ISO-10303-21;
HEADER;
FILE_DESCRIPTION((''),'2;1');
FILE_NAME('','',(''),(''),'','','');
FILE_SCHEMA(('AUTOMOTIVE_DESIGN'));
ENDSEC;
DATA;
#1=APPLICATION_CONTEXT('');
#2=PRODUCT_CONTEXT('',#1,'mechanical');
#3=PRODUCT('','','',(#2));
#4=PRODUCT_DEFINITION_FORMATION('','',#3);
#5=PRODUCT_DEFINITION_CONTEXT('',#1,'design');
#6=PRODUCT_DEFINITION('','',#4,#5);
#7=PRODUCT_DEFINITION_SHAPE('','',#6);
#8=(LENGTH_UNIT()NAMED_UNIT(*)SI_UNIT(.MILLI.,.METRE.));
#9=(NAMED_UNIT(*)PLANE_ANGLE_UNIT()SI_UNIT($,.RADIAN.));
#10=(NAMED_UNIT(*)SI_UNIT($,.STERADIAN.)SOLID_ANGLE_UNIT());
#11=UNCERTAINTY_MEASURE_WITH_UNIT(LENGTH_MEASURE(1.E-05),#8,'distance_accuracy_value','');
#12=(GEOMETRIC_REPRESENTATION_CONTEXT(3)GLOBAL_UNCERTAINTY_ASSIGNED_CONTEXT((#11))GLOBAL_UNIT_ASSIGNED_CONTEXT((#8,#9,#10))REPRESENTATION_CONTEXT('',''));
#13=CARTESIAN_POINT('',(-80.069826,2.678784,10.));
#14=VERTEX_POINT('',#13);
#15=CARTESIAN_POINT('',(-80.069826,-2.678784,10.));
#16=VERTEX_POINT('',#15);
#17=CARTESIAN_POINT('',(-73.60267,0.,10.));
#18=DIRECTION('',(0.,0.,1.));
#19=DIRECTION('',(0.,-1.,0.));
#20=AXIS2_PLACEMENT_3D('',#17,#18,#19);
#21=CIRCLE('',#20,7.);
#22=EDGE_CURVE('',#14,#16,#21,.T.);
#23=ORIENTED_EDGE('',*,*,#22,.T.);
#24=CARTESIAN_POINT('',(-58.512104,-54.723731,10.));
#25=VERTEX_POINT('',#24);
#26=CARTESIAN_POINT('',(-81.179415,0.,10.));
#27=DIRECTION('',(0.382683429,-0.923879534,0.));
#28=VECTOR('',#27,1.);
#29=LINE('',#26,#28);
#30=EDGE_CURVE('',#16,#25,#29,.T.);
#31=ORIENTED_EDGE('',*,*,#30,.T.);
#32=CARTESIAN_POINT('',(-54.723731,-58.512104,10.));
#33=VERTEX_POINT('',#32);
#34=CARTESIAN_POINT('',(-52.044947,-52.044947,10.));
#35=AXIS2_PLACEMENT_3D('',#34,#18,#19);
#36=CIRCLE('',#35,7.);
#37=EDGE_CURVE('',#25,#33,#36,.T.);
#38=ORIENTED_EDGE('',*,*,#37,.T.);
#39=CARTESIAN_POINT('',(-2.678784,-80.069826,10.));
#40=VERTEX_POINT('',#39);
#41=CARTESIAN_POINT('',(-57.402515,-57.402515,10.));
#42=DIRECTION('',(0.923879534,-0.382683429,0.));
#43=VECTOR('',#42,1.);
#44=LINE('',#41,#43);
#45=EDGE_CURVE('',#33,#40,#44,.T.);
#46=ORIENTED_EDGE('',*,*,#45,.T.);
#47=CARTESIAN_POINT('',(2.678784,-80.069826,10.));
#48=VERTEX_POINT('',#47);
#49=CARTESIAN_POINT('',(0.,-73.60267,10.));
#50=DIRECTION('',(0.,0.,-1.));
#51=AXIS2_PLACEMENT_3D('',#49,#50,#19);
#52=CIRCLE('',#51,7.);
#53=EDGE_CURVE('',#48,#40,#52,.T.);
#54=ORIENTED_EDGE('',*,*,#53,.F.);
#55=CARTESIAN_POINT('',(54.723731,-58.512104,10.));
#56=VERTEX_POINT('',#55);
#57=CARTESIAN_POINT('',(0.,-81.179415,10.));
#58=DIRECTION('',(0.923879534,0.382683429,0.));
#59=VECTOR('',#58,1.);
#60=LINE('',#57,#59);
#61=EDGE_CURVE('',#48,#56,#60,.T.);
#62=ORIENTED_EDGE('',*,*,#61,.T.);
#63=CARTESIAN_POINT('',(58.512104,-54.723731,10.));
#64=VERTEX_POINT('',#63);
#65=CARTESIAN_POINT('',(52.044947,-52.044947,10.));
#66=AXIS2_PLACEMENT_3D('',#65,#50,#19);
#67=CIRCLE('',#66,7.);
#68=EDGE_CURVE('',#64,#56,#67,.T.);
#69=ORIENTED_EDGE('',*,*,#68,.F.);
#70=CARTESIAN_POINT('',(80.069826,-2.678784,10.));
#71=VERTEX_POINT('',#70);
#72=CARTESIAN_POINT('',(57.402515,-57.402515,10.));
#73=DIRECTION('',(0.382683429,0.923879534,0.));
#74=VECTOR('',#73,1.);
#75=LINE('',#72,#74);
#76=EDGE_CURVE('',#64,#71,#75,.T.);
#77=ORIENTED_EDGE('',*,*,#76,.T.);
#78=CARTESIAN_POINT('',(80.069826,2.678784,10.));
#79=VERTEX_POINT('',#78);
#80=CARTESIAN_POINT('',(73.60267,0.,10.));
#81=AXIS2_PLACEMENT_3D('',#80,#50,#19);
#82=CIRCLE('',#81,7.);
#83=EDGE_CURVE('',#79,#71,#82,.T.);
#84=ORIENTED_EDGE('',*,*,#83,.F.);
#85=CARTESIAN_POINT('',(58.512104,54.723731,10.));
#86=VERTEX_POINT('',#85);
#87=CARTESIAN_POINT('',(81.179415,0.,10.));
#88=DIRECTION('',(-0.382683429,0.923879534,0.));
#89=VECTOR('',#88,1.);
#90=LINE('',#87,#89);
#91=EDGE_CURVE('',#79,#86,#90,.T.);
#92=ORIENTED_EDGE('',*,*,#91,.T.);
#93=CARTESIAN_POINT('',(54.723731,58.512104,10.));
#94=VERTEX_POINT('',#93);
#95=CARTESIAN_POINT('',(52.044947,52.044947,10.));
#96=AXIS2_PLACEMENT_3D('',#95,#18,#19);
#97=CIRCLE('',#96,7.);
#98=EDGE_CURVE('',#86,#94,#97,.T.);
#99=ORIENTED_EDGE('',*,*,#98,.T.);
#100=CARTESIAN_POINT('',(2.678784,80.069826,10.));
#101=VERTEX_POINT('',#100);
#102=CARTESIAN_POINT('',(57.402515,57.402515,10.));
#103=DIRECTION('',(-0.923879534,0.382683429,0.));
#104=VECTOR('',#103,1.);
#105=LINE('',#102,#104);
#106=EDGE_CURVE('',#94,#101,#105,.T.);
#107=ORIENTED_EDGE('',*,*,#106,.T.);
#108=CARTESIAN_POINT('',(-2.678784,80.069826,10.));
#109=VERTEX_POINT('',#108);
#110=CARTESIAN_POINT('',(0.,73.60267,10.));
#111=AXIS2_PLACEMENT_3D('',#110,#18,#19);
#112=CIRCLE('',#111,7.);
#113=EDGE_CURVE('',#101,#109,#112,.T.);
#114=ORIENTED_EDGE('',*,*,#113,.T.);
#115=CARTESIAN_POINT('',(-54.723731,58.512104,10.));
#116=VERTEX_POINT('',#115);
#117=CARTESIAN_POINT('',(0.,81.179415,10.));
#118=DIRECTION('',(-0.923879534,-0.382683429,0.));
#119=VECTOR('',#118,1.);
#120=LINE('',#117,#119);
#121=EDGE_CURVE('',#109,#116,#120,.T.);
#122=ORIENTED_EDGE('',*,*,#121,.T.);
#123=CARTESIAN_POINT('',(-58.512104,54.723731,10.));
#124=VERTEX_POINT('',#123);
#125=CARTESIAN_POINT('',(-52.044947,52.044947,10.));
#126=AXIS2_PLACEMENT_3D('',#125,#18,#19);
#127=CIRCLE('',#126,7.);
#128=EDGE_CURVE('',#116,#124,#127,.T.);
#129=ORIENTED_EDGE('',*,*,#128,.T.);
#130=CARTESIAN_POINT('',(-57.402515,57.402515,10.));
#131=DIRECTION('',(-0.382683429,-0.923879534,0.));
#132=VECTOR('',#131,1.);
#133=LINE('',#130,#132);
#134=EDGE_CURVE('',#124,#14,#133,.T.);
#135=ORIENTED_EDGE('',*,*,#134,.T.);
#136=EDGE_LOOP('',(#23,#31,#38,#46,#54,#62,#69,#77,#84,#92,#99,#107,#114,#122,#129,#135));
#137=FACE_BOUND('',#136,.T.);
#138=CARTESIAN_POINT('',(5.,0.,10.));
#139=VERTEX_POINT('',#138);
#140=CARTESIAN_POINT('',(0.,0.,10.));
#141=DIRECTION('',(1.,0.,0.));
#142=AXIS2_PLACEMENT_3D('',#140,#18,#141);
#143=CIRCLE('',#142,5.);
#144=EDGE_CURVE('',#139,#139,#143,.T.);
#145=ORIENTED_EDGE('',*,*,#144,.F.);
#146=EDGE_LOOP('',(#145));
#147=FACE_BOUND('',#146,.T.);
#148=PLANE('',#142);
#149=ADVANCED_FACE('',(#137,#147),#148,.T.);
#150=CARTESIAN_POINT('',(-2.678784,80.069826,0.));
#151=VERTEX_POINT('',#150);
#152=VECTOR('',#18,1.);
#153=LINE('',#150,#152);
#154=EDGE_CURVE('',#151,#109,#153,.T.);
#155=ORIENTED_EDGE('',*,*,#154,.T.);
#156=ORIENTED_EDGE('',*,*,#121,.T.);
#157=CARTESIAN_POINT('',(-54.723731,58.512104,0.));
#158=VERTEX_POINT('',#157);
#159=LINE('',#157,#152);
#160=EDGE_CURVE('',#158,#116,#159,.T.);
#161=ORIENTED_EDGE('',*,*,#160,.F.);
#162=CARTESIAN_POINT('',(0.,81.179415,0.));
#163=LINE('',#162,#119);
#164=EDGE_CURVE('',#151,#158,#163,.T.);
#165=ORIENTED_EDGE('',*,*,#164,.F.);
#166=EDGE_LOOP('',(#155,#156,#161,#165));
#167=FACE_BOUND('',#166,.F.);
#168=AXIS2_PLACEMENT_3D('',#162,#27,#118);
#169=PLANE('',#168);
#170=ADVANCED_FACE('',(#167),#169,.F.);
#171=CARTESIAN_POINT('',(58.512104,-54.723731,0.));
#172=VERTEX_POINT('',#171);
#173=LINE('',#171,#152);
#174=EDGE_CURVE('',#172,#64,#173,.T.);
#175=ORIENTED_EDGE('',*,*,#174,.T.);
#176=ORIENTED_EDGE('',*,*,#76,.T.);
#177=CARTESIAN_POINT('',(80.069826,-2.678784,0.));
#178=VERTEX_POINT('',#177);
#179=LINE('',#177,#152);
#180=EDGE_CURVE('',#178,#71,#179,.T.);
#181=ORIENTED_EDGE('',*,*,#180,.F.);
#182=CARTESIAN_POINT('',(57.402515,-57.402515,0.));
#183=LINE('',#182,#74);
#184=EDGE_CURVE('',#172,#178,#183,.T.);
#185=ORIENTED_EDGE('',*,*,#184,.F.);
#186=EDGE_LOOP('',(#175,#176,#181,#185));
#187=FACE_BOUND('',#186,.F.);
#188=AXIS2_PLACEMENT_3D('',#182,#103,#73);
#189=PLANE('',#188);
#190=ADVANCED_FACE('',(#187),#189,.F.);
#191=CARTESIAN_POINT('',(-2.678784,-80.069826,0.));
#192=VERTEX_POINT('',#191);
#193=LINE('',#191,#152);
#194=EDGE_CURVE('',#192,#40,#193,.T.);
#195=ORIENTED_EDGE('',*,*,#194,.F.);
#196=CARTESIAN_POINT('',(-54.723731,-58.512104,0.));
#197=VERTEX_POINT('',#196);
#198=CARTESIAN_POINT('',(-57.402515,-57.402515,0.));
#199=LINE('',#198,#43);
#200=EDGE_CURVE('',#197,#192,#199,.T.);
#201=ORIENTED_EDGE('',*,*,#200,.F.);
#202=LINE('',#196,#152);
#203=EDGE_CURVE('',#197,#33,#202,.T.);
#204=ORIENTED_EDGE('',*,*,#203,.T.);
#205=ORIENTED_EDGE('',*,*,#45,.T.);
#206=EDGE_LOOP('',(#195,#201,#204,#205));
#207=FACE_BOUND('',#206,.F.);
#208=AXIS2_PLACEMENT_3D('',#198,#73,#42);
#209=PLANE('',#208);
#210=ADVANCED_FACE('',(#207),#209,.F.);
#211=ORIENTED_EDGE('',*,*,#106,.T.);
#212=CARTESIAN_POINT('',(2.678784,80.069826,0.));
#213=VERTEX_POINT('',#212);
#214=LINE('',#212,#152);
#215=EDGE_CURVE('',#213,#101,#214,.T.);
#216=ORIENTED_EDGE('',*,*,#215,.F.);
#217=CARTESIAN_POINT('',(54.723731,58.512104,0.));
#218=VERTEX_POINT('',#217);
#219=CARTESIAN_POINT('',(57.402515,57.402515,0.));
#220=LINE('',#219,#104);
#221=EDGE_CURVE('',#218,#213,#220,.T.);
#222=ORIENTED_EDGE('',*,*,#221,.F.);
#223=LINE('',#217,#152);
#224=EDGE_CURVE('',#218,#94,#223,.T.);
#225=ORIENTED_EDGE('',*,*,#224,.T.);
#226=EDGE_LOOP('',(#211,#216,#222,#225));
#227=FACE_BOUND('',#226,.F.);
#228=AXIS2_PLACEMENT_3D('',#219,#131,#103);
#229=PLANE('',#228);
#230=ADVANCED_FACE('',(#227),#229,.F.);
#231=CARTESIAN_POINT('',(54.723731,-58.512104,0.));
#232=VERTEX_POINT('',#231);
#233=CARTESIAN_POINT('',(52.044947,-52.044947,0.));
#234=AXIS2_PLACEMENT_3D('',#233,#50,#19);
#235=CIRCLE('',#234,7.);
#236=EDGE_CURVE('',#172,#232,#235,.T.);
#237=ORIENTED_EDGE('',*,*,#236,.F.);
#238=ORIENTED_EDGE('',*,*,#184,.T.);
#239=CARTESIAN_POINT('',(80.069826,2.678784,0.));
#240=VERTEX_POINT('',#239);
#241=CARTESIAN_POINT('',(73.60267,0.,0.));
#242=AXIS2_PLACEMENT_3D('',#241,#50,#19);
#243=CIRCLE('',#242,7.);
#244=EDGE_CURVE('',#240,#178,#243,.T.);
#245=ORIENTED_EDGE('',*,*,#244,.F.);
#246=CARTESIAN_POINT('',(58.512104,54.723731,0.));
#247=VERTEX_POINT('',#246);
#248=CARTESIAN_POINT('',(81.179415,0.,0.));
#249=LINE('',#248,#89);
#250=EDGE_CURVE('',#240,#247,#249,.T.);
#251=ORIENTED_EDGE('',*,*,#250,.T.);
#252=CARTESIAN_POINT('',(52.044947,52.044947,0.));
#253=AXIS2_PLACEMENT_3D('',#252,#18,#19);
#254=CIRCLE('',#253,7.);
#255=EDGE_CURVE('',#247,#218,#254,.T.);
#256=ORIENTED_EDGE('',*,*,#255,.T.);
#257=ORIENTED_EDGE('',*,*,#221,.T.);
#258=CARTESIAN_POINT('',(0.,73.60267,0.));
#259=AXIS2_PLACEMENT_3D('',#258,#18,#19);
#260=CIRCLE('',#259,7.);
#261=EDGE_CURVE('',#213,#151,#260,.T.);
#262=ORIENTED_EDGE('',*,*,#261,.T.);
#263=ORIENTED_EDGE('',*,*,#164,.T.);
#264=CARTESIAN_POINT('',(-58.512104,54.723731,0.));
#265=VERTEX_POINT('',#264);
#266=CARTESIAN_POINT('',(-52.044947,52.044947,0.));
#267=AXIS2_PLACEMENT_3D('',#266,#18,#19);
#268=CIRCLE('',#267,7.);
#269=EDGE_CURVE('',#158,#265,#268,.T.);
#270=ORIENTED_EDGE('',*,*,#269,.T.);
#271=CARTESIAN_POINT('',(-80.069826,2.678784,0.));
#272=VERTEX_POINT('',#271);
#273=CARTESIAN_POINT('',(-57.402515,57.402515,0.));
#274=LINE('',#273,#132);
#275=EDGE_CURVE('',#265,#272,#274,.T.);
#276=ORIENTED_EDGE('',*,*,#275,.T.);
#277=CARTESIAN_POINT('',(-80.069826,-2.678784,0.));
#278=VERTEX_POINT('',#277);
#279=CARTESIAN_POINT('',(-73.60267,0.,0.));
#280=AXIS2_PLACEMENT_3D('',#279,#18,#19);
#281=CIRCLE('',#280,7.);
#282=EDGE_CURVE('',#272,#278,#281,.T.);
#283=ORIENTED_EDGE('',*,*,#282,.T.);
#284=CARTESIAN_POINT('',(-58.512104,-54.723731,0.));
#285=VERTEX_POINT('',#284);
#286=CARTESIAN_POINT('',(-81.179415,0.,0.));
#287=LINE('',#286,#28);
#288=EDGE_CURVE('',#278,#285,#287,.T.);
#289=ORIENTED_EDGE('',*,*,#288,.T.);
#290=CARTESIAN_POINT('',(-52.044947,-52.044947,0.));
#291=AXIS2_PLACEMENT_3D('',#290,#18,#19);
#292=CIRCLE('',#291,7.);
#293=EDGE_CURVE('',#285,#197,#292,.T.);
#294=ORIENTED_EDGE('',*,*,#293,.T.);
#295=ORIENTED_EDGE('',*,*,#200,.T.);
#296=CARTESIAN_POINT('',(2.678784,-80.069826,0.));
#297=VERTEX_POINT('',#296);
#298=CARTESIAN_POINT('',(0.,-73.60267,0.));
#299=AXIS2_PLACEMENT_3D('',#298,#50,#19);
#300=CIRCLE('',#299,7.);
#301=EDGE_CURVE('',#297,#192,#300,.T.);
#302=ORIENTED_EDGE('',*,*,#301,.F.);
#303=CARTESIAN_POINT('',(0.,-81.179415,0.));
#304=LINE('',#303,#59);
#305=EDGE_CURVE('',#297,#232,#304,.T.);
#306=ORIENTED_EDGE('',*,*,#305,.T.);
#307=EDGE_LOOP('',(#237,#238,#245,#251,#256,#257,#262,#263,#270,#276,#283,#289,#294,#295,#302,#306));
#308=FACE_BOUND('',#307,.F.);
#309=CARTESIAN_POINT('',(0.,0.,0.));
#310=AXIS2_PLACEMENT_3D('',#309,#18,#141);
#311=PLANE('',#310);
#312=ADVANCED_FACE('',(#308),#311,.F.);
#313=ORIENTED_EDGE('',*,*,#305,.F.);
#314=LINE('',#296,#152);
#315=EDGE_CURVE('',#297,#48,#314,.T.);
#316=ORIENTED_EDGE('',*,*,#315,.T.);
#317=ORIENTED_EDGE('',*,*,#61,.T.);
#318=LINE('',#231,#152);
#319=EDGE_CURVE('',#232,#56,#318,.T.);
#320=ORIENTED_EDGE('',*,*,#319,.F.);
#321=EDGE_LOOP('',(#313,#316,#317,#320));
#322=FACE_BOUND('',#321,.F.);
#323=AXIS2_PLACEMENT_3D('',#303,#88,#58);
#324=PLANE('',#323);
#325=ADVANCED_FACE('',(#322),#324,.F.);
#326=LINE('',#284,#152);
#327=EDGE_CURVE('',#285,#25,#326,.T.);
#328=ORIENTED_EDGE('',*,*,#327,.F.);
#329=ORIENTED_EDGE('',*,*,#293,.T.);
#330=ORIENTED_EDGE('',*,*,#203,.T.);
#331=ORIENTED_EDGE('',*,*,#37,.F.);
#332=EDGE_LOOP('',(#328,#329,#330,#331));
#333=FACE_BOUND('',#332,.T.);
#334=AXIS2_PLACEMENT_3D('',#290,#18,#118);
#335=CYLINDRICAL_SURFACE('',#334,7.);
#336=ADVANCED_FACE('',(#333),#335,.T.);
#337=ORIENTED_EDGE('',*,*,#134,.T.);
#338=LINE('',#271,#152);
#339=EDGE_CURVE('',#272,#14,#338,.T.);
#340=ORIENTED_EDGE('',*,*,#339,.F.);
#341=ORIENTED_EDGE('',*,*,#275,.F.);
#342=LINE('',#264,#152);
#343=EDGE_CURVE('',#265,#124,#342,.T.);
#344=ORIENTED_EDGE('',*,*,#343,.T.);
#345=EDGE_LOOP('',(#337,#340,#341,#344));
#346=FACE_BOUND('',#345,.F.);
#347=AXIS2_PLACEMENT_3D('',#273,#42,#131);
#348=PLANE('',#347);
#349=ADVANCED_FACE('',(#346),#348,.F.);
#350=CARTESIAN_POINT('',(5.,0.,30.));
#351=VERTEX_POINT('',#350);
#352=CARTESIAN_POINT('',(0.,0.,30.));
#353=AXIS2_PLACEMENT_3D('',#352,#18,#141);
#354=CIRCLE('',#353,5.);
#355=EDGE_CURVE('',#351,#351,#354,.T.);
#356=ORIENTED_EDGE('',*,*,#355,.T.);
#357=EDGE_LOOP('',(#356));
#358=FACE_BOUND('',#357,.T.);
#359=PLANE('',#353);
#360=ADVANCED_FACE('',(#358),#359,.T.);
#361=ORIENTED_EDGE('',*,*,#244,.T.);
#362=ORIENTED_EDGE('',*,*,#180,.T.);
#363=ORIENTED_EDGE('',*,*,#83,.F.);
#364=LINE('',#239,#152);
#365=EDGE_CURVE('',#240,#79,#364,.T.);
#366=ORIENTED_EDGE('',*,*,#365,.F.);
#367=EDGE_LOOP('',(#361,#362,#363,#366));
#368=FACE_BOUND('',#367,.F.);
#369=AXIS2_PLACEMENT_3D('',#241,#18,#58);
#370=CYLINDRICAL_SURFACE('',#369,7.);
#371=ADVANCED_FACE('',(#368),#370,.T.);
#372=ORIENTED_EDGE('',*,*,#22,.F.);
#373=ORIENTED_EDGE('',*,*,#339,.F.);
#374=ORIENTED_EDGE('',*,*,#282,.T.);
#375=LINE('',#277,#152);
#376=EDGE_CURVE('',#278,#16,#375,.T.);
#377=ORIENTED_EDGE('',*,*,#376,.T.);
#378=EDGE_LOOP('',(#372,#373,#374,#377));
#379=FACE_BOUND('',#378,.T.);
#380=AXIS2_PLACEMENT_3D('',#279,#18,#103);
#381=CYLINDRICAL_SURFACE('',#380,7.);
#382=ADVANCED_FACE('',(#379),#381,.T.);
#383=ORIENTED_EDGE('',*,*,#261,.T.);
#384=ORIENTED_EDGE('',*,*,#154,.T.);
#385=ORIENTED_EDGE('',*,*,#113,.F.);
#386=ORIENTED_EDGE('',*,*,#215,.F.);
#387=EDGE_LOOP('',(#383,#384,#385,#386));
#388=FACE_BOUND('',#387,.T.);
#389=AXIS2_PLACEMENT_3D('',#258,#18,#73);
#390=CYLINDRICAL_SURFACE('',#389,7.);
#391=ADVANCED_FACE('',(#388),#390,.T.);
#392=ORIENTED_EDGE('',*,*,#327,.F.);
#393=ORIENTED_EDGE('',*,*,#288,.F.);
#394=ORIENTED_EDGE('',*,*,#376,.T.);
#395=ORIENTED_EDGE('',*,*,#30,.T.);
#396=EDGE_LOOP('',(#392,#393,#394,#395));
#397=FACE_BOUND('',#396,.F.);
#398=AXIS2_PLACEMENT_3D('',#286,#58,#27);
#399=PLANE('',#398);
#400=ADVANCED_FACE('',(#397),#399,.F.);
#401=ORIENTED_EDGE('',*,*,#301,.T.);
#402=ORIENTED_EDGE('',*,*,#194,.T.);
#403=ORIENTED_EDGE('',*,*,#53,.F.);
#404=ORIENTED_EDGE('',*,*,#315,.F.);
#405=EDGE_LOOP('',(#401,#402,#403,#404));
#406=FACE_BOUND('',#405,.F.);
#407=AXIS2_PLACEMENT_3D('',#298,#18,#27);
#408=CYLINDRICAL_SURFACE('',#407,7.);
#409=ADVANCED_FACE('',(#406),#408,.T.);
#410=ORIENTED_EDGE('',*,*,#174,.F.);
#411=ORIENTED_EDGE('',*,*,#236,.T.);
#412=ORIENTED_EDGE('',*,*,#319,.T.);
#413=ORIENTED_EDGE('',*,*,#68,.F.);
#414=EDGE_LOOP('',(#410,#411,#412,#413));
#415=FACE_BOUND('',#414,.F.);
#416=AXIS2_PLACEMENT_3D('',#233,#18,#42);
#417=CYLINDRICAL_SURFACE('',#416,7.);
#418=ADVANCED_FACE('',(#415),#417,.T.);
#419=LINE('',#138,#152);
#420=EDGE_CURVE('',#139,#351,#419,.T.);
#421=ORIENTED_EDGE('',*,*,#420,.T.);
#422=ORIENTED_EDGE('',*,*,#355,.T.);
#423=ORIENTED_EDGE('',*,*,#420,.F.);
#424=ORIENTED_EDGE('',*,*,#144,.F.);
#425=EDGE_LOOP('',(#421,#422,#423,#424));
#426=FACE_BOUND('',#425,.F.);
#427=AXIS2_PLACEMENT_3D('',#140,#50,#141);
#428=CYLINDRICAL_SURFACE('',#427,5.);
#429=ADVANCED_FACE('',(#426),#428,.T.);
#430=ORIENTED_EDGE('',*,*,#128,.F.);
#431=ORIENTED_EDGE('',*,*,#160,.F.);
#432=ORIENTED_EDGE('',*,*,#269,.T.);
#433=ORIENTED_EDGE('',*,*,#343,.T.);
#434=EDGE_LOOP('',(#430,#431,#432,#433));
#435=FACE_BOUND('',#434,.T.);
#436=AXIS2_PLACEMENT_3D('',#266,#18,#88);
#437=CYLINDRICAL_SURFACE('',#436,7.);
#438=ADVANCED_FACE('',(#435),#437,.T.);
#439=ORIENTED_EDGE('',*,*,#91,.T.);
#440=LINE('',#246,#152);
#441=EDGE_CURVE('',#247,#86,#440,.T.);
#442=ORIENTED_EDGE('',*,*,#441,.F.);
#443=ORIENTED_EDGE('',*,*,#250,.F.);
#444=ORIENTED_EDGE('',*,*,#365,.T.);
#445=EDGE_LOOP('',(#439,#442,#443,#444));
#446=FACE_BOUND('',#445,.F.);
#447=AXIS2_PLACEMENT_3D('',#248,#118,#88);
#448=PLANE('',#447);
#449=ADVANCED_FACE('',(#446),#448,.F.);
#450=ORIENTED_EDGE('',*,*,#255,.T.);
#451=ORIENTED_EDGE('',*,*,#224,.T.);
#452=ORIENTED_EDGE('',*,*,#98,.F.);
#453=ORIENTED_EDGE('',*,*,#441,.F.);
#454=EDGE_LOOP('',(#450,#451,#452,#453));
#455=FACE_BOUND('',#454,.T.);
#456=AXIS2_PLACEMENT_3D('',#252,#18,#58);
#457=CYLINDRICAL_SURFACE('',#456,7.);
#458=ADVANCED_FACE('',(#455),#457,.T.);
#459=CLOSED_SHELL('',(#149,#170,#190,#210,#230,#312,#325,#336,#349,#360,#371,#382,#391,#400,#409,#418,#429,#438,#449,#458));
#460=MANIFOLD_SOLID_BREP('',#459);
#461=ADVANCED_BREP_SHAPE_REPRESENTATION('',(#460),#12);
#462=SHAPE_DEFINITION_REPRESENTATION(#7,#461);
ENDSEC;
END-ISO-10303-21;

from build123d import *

# Parameters (mm, degrees)
F1_DEPTH = 10
F2_R     = 5
F3_DEPTH = 20
F4_R     = 7


with BuildPart() as f1:
    # F0 (on Top) → F1 (new body)
    with BuildSketch(Plane.XY):
        Polygon((81.179415, 0), (57.402515, 57.402515), (0, 81.179415), (-57.402515, 57.402515), (-81.179415, 0), (-57.402515, -57.402515), (0, -81.179415), (57.402515, -57.402515), align=None)
    extrude(amount=F1_DEPTH)

    # F2 (on face) → F3 (join)
    with BuildSketch(Plane.XY.offset(10)):
        Circle(F2_R)
    extrude(amount=F3_DEPTH)

    # F4
    f4_edges = [f1.edges().sort_by_distance(p)[0] for p in [
        (-57.402515, 57.402515, 5),
        (-81.179415, 0, 5),
        (0, 81.179415, 5),
        (-57.402515, -57.402515, 5),
        (0, -81.179415, 5),
        (57.402515, -57.402515, 5),
        (81.179415, 0, 5),
        (57.402515, 57.402515, 5),
    ]]
    fillet(f4_edges, radius=F4_R)


solid = f1.part
